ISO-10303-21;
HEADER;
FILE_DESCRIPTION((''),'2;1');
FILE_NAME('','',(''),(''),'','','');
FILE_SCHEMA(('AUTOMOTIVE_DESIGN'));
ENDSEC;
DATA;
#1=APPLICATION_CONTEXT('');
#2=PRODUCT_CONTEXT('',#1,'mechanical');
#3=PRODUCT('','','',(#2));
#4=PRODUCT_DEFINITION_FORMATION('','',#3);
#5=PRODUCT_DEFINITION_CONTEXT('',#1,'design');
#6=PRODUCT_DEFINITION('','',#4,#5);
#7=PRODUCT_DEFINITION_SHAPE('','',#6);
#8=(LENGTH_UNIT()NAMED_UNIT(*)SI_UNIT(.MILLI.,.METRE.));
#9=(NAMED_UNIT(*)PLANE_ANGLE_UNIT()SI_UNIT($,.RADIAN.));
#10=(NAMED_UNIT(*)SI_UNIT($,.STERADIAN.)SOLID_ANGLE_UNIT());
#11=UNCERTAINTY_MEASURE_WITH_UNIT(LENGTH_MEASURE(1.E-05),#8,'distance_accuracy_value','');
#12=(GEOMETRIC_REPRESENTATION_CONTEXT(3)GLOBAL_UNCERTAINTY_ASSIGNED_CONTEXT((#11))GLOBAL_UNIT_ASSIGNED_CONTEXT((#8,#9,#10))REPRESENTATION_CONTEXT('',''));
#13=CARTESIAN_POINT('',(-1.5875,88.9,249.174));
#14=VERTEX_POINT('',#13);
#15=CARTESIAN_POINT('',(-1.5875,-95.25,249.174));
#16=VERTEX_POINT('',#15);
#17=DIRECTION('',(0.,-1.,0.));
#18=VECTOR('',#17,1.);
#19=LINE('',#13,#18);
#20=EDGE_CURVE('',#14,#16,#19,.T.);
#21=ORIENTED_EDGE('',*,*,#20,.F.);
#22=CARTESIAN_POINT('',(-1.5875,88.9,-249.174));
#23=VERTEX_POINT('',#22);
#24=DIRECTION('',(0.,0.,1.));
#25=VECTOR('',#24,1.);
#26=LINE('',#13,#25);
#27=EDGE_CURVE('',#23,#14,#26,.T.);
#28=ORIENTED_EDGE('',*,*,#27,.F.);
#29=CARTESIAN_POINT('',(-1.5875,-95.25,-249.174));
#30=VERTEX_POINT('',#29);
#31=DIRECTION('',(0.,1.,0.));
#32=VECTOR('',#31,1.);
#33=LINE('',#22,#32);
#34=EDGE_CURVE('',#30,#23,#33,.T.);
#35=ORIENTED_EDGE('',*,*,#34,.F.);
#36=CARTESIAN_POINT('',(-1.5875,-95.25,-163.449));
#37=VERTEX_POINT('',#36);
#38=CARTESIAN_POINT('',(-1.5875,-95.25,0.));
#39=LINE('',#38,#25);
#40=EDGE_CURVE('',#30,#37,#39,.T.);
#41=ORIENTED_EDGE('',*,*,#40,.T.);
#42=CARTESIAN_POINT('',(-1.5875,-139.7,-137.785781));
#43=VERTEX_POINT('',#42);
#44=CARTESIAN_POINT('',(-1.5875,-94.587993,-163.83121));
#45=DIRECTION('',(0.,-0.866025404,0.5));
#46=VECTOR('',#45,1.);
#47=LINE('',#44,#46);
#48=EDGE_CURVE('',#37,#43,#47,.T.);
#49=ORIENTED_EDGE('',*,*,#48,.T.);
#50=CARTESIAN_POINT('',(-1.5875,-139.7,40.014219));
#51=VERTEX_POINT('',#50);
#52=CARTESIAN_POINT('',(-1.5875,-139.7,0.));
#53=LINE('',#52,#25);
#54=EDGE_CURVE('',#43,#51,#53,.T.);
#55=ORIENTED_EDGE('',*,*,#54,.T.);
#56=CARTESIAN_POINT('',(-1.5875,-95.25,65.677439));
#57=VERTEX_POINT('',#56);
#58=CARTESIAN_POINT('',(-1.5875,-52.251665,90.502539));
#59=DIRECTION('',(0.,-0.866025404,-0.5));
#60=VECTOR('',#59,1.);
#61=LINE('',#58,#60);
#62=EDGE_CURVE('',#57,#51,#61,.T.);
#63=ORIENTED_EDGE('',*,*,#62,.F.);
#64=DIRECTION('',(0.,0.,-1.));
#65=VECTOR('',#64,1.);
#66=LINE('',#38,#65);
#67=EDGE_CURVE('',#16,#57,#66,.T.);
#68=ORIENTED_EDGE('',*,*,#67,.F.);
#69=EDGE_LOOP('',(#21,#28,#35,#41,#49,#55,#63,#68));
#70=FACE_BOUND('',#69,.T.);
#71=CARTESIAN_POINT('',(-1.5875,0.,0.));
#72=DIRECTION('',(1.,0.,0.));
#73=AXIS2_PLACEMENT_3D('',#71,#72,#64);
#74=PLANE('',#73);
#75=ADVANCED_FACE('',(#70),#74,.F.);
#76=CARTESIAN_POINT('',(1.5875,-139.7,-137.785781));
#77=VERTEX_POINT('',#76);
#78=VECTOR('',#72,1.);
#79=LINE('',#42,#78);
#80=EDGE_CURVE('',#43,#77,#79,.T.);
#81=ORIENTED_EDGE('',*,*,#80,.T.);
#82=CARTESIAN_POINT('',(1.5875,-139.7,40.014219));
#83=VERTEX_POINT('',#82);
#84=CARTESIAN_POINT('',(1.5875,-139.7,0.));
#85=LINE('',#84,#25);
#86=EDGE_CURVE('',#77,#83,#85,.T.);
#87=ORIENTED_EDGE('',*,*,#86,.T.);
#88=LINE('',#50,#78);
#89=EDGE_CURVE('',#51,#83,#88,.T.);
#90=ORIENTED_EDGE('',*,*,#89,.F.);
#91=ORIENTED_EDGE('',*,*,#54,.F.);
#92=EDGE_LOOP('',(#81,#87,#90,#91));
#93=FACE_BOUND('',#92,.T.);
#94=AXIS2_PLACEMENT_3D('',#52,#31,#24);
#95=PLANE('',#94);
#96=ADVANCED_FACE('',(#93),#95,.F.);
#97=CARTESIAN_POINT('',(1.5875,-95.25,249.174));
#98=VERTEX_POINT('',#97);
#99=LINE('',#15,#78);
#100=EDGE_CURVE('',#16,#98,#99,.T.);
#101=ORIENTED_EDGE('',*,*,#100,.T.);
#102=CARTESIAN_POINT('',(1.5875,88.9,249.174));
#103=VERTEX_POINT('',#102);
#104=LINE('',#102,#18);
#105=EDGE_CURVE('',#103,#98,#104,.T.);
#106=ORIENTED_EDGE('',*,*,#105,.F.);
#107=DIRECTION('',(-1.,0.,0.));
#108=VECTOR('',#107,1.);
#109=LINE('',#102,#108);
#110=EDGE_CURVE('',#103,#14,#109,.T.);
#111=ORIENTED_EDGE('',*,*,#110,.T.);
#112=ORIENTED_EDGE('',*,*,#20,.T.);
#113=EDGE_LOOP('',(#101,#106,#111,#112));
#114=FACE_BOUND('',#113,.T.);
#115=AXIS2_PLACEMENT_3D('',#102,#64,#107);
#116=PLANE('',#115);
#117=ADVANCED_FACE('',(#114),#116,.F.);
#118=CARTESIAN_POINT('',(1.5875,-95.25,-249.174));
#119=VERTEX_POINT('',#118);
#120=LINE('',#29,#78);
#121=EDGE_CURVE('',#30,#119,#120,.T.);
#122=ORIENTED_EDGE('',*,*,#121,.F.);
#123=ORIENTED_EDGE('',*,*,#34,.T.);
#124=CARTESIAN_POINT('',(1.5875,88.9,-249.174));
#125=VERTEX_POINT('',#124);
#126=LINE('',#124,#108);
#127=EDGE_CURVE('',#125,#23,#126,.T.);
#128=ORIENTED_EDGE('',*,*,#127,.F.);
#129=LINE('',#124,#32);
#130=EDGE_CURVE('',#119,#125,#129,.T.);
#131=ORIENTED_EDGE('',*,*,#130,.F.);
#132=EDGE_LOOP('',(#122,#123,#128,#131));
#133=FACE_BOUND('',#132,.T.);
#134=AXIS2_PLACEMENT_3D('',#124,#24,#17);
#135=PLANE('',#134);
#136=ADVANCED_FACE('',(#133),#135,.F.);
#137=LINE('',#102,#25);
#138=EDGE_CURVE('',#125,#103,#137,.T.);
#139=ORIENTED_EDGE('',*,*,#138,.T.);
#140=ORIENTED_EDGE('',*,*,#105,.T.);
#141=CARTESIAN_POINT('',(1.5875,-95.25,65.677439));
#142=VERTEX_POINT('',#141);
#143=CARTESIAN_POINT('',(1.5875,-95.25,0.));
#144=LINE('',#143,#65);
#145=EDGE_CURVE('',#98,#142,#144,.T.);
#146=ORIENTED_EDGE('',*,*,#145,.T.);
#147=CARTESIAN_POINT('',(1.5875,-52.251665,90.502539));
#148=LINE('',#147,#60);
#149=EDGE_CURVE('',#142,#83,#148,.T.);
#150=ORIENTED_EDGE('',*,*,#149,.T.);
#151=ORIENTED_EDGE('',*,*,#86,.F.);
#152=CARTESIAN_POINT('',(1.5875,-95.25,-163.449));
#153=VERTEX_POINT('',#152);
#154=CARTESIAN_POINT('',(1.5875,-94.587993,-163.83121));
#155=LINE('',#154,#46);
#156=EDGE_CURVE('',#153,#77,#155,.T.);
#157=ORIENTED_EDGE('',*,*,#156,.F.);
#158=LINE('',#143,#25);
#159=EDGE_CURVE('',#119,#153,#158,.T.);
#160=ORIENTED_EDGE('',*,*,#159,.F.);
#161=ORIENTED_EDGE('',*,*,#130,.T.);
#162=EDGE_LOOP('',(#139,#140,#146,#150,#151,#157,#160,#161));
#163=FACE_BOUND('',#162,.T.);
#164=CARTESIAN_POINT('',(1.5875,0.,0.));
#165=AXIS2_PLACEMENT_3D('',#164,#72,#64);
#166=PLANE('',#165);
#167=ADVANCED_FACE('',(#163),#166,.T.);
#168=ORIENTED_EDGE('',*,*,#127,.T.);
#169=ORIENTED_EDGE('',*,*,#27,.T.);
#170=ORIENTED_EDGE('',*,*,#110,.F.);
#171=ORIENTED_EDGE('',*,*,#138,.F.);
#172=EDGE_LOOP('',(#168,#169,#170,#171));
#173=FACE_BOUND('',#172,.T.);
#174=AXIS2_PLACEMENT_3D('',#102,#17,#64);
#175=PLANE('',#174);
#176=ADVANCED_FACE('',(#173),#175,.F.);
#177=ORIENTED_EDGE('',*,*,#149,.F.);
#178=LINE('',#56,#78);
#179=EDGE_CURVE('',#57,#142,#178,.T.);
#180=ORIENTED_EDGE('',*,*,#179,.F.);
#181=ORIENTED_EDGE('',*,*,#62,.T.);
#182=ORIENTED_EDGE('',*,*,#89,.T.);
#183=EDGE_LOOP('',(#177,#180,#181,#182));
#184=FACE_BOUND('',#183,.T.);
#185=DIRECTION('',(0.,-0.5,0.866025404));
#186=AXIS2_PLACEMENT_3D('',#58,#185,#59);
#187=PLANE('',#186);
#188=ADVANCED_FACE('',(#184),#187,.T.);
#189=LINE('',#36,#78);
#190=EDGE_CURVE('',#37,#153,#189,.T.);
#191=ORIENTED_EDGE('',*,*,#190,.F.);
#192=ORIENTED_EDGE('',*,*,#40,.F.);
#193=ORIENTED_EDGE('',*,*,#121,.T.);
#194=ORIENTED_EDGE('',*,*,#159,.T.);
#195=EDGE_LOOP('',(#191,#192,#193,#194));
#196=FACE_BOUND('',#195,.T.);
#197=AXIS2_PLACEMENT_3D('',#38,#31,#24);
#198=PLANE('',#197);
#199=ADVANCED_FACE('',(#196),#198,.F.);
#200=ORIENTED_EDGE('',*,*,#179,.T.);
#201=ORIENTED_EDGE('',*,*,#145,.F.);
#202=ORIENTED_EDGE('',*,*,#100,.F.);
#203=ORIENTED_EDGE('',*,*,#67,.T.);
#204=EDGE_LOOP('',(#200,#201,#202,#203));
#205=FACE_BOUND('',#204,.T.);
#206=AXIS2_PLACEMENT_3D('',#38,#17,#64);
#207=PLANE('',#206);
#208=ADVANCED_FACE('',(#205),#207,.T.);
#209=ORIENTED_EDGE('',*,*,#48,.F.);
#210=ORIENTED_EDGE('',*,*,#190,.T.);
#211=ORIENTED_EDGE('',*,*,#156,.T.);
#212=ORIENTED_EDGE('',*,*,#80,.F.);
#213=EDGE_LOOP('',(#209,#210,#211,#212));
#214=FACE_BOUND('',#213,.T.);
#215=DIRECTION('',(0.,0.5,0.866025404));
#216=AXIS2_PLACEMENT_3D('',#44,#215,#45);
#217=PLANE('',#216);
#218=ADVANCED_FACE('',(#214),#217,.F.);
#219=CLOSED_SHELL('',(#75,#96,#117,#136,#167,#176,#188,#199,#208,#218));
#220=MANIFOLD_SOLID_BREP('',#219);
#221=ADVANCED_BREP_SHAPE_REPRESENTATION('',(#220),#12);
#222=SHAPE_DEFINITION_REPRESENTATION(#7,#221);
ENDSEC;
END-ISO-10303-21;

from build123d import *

# Parameters (mm, degrees)
SKETCH1_W           = 498.348
SKETCH1_H           = 177.8
BOSS_EXTRUDE1_DEPTH = 1.5875
BOSS_EXTRUDE2_DEPTH = 3.175


with BuildPart() as part:
    # Sketch1 → Boss-Extrude1 (new, symmetric)
    with BuildSketch(Plane(origin=(0, 0, 0), x_dir=(0, 0, -1), z_dir=(1, 0, 0))):
        Rectangle(SKETCH1_W, SKETCH1_H)
    extrude(amount=BOSS_EXTRUDE1_DEPTH, both=True)

    # Sketch2 → Boss-Extrude2 (add)
    with BuildSketch(Plane(origin=(1.5875, 0, 0), x_dir=(0, 0, -1), z_dir=(1, 0, 0))):
        Polygon((249.174, -95.25), (249.174, -88.9), (-249.174, -88.9), (-249.174, -95.25), (-65.677438931, -95.25), (-40.014219465, -139.7), (137.785780535, -139.7), (163.449, -95.25), align=None)
    extrude(amount=-BOSS_EXTRUDE2_DEPTH)


solid = part.part
